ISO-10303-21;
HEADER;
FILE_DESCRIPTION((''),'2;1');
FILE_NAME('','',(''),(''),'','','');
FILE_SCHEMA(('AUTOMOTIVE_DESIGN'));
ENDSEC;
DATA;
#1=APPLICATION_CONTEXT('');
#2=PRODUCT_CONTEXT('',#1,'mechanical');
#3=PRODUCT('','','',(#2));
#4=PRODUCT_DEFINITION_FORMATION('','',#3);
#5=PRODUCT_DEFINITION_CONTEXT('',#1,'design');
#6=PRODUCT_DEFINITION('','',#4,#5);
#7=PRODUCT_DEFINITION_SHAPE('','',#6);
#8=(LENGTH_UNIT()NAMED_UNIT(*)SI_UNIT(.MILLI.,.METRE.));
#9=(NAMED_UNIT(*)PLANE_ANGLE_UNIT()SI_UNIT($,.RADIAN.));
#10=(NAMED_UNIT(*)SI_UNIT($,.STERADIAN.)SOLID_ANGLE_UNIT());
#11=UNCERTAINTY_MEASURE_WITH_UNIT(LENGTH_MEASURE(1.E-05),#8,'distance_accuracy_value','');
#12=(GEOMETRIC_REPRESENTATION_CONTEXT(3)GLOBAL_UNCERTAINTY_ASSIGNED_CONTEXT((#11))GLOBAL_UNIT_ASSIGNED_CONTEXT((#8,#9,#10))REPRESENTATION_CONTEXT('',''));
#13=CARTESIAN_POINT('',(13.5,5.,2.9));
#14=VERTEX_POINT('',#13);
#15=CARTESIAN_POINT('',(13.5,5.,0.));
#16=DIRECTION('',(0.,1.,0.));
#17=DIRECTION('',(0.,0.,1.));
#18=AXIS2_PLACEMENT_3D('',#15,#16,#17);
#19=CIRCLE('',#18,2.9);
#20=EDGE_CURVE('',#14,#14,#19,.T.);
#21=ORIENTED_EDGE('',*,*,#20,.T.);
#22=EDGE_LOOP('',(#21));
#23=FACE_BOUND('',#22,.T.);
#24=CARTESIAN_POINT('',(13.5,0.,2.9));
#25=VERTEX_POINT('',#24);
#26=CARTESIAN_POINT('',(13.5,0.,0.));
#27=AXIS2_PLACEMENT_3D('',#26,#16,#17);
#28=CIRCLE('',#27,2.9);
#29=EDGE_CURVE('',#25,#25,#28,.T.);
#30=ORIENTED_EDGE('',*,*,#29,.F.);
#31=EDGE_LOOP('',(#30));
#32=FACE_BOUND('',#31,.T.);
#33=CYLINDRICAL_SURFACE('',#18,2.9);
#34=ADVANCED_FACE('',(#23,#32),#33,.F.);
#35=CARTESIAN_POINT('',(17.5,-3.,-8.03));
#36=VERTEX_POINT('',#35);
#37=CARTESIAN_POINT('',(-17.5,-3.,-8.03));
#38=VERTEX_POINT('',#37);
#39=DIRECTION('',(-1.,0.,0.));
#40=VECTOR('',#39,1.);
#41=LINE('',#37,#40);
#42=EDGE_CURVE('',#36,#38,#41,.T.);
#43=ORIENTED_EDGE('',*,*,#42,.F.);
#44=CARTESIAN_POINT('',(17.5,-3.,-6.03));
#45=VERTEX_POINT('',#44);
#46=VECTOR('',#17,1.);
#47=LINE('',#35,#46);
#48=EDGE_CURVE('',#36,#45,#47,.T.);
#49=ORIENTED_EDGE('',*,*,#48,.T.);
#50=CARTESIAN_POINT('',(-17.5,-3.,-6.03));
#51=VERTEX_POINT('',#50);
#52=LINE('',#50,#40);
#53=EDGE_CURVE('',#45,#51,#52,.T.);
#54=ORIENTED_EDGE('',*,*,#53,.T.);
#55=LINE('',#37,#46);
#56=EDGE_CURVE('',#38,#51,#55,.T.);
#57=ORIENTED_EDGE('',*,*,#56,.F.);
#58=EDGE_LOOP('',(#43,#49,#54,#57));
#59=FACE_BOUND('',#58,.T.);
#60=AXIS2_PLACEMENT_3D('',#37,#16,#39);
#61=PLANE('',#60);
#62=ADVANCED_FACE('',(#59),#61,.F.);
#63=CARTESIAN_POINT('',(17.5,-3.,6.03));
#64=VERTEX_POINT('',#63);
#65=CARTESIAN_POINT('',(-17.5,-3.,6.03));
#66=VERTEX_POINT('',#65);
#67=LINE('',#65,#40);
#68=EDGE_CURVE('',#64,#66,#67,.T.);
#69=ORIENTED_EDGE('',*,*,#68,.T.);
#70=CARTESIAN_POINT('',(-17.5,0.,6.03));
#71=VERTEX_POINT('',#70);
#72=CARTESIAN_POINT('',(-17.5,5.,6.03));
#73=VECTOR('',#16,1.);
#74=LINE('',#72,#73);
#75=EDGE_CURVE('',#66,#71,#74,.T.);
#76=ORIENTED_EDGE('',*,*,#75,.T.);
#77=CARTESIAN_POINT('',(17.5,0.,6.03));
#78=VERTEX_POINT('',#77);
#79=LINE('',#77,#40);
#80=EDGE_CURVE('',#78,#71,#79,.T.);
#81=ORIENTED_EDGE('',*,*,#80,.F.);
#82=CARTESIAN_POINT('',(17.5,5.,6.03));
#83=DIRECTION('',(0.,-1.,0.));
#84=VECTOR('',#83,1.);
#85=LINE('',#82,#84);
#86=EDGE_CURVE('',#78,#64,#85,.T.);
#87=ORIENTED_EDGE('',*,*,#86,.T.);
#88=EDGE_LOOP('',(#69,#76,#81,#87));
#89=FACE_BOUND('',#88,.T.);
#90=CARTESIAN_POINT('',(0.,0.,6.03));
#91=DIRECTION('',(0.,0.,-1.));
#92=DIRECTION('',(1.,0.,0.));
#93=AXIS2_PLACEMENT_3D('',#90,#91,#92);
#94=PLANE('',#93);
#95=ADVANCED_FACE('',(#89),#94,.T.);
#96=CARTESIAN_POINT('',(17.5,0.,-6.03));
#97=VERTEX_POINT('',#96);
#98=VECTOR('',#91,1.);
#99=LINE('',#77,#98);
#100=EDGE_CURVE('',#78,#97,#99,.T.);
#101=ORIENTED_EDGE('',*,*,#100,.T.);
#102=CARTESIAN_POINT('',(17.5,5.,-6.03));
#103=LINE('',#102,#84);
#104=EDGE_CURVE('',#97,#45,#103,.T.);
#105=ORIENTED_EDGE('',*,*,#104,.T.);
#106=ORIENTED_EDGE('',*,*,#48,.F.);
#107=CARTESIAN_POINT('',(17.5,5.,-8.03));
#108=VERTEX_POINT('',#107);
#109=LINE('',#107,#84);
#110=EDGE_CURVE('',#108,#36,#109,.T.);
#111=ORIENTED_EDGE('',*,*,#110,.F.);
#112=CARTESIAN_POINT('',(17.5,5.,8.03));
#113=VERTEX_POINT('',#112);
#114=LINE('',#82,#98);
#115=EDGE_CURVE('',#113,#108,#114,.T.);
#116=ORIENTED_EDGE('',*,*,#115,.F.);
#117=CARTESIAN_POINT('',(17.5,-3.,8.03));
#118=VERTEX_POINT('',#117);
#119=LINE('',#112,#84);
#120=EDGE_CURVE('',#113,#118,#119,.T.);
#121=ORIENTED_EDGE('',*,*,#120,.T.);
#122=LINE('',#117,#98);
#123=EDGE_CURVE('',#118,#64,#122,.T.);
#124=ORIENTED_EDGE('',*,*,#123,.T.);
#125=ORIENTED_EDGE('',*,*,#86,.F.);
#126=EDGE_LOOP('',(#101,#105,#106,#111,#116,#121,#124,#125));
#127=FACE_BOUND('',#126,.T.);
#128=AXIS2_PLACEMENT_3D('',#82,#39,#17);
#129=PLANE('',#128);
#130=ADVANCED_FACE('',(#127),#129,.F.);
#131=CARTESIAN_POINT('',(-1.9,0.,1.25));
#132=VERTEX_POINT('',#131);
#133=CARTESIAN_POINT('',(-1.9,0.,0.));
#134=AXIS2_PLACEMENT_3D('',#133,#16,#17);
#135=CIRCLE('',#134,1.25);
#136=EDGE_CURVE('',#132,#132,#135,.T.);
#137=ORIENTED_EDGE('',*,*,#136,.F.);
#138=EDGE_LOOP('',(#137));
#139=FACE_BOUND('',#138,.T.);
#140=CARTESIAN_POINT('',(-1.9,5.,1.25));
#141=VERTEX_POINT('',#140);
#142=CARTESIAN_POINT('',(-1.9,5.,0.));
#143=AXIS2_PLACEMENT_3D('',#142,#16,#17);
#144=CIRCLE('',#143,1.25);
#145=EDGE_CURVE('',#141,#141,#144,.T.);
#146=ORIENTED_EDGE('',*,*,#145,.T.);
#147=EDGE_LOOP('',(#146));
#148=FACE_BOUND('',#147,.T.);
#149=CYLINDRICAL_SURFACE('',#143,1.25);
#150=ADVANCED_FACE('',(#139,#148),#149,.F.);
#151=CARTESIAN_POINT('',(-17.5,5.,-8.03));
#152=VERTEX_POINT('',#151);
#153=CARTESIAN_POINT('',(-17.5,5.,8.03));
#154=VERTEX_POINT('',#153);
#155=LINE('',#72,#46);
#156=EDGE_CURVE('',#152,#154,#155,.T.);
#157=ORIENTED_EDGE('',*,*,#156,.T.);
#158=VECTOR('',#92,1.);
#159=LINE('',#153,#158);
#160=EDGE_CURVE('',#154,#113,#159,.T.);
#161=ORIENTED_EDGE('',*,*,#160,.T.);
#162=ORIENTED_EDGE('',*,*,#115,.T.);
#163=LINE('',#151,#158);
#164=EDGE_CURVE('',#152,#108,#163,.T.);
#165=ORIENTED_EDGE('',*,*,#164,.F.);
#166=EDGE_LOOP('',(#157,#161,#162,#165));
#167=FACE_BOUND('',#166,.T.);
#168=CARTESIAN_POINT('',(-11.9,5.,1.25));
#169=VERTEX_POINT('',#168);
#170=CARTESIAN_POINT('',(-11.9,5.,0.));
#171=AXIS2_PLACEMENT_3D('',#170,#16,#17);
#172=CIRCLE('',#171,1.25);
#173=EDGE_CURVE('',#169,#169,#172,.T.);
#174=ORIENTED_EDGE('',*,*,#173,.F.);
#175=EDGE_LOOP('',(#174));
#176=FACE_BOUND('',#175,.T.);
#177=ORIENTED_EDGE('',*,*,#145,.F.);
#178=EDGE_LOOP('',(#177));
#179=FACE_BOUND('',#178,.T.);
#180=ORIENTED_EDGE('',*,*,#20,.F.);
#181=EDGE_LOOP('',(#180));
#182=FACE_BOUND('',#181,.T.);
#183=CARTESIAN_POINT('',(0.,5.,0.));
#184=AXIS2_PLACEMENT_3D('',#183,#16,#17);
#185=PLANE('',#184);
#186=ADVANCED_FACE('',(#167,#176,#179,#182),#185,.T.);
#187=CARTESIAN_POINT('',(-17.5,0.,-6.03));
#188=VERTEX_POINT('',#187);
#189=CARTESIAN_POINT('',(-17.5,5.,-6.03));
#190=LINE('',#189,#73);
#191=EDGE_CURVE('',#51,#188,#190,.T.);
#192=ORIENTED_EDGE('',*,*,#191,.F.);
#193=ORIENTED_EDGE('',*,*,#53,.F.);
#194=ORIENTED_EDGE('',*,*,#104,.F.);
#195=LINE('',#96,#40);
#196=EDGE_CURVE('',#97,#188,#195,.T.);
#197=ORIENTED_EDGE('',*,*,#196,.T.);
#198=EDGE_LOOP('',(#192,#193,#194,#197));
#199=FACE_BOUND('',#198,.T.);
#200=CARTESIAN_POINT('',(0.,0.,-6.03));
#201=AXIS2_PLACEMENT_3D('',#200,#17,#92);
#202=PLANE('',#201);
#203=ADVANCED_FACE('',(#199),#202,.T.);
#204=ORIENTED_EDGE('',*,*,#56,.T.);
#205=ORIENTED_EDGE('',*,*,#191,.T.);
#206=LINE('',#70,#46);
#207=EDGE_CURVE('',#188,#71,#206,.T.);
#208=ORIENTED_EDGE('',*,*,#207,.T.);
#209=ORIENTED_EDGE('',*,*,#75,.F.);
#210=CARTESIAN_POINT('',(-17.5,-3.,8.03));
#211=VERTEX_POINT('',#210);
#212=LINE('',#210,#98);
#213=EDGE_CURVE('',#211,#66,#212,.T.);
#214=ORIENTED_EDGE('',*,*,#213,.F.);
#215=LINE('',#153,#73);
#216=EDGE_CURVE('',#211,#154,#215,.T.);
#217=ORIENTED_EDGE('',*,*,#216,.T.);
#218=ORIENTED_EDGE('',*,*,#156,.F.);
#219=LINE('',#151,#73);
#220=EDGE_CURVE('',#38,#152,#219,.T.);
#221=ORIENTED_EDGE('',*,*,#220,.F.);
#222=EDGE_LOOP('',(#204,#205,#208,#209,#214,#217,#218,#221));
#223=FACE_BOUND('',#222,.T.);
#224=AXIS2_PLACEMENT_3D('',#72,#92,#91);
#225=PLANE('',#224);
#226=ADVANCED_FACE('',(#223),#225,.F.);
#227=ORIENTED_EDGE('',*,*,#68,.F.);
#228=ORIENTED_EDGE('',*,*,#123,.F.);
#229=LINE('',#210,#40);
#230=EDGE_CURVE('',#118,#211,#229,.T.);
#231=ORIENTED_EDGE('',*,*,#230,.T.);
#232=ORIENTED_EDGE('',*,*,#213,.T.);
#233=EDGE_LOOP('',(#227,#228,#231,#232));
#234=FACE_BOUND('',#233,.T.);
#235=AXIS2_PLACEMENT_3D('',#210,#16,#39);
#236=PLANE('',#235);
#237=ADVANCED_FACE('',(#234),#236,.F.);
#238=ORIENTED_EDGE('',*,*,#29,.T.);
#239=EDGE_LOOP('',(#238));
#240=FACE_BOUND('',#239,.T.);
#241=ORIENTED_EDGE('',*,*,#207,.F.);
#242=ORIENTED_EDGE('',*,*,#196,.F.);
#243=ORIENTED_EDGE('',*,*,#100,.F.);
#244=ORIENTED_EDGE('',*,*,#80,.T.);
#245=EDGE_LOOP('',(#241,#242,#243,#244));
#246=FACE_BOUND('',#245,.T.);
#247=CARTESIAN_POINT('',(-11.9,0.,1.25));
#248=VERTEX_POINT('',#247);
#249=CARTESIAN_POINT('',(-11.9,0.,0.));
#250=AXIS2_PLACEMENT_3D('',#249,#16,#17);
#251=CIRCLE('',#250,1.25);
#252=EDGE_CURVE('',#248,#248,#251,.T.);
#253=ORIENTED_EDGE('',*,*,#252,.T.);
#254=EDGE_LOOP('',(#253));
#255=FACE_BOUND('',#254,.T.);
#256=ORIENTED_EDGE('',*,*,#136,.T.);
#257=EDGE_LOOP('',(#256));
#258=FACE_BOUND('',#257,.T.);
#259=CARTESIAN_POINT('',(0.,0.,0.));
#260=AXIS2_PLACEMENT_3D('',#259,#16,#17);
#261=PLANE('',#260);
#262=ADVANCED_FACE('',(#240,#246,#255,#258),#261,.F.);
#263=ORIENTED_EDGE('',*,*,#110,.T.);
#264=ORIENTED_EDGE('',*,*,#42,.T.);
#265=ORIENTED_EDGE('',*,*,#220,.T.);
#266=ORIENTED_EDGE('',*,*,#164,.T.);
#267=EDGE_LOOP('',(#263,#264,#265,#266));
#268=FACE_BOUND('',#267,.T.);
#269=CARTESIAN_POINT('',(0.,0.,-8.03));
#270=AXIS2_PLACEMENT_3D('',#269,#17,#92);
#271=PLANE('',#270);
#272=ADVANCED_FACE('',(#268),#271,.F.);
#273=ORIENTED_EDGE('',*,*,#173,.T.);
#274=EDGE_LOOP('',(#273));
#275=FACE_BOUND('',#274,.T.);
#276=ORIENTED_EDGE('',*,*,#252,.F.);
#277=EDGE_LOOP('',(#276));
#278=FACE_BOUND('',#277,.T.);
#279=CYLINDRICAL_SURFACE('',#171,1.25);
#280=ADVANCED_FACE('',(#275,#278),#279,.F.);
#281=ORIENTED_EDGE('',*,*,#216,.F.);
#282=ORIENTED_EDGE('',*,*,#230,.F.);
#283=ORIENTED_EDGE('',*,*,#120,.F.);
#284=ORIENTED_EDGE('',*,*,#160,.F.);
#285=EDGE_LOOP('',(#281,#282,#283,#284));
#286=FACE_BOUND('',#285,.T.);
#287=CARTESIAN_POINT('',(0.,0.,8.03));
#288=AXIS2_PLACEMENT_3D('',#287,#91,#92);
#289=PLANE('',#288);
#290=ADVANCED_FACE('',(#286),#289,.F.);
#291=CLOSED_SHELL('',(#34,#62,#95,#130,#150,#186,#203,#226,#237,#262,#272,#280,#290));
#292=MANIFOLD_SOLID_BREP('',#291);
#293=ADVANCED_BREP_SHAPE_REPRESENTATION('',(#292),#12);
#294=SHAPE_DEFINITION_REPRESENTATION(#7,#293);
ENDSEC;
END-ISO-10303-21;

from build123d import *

# Parameters (mm, degrees)
SKETCH1_W                   = 35
SKETCH1_H                   = 12.06
BOSS_EXTRUDE1_DEPTH         = 5
M5_CLEARANCE_HOLE1_D        = 5.8
TAP_DRILL_FOR_M3X0_5_TAP1_D = 2.5
SKETCH7_W                   = 35
SKETCH7_H                   = 8
BOSS_EXTRUDE2_DEPTH         = 2


with BuildPart() as part:
    # Sketch1 → Boss-Extrude1 (new body)
    with BuildSketch(Plane(origin=(0, 0, 0), x_dir=(1, 0, 0), z_dir=(0, 1, 0))):
        Rectangle(SKETCH1_W, SKETCH1_H)
    extrude(amount=BOSS_EXTRUDE1_DEPTH)

    # M5 Clearance Hole1 (through all)
    with Locations(Plane(origin=(0, 5, 0), x_dir=(1, 0, 0), z_dir=(0, 1, 0))):
        with Locations((13.5, 0)):
            Hole(M5_CLEARANCE_HOLE1_D / 2)

    # Tap Drill for M3x0.5 Tap1 (through all)
    with Locations(Plane(origin=(0, 5, 0), x_dir=(1, 0, 0), z_dir=(0, 1, 0))):
        with Locations((-1.9, 0), (-11.9, 0)):
            Hole(TAP_DRILL_FOR_M3X0_5_TAP1_D / 2)

    # Sketch7 → Boss-Extrude2 (add)
    with BuildSketch(Plane(origin=(0, 0, -6.03), x_dir=(-1, 0, 0), z_dir=(0, 0, -1))):
        with Locations((0, 1)):
            Rectangle(SKETCH7_W, SKETCH7_H)
    extrude(amount=BOSS_EXTRUDE2_DEPTH)

    # Mirror1: part across plane


with BuildPart() as part_1:
    add(part.part)
    add(part.part.mirror(Plane.XY))


solid = part_1.part
